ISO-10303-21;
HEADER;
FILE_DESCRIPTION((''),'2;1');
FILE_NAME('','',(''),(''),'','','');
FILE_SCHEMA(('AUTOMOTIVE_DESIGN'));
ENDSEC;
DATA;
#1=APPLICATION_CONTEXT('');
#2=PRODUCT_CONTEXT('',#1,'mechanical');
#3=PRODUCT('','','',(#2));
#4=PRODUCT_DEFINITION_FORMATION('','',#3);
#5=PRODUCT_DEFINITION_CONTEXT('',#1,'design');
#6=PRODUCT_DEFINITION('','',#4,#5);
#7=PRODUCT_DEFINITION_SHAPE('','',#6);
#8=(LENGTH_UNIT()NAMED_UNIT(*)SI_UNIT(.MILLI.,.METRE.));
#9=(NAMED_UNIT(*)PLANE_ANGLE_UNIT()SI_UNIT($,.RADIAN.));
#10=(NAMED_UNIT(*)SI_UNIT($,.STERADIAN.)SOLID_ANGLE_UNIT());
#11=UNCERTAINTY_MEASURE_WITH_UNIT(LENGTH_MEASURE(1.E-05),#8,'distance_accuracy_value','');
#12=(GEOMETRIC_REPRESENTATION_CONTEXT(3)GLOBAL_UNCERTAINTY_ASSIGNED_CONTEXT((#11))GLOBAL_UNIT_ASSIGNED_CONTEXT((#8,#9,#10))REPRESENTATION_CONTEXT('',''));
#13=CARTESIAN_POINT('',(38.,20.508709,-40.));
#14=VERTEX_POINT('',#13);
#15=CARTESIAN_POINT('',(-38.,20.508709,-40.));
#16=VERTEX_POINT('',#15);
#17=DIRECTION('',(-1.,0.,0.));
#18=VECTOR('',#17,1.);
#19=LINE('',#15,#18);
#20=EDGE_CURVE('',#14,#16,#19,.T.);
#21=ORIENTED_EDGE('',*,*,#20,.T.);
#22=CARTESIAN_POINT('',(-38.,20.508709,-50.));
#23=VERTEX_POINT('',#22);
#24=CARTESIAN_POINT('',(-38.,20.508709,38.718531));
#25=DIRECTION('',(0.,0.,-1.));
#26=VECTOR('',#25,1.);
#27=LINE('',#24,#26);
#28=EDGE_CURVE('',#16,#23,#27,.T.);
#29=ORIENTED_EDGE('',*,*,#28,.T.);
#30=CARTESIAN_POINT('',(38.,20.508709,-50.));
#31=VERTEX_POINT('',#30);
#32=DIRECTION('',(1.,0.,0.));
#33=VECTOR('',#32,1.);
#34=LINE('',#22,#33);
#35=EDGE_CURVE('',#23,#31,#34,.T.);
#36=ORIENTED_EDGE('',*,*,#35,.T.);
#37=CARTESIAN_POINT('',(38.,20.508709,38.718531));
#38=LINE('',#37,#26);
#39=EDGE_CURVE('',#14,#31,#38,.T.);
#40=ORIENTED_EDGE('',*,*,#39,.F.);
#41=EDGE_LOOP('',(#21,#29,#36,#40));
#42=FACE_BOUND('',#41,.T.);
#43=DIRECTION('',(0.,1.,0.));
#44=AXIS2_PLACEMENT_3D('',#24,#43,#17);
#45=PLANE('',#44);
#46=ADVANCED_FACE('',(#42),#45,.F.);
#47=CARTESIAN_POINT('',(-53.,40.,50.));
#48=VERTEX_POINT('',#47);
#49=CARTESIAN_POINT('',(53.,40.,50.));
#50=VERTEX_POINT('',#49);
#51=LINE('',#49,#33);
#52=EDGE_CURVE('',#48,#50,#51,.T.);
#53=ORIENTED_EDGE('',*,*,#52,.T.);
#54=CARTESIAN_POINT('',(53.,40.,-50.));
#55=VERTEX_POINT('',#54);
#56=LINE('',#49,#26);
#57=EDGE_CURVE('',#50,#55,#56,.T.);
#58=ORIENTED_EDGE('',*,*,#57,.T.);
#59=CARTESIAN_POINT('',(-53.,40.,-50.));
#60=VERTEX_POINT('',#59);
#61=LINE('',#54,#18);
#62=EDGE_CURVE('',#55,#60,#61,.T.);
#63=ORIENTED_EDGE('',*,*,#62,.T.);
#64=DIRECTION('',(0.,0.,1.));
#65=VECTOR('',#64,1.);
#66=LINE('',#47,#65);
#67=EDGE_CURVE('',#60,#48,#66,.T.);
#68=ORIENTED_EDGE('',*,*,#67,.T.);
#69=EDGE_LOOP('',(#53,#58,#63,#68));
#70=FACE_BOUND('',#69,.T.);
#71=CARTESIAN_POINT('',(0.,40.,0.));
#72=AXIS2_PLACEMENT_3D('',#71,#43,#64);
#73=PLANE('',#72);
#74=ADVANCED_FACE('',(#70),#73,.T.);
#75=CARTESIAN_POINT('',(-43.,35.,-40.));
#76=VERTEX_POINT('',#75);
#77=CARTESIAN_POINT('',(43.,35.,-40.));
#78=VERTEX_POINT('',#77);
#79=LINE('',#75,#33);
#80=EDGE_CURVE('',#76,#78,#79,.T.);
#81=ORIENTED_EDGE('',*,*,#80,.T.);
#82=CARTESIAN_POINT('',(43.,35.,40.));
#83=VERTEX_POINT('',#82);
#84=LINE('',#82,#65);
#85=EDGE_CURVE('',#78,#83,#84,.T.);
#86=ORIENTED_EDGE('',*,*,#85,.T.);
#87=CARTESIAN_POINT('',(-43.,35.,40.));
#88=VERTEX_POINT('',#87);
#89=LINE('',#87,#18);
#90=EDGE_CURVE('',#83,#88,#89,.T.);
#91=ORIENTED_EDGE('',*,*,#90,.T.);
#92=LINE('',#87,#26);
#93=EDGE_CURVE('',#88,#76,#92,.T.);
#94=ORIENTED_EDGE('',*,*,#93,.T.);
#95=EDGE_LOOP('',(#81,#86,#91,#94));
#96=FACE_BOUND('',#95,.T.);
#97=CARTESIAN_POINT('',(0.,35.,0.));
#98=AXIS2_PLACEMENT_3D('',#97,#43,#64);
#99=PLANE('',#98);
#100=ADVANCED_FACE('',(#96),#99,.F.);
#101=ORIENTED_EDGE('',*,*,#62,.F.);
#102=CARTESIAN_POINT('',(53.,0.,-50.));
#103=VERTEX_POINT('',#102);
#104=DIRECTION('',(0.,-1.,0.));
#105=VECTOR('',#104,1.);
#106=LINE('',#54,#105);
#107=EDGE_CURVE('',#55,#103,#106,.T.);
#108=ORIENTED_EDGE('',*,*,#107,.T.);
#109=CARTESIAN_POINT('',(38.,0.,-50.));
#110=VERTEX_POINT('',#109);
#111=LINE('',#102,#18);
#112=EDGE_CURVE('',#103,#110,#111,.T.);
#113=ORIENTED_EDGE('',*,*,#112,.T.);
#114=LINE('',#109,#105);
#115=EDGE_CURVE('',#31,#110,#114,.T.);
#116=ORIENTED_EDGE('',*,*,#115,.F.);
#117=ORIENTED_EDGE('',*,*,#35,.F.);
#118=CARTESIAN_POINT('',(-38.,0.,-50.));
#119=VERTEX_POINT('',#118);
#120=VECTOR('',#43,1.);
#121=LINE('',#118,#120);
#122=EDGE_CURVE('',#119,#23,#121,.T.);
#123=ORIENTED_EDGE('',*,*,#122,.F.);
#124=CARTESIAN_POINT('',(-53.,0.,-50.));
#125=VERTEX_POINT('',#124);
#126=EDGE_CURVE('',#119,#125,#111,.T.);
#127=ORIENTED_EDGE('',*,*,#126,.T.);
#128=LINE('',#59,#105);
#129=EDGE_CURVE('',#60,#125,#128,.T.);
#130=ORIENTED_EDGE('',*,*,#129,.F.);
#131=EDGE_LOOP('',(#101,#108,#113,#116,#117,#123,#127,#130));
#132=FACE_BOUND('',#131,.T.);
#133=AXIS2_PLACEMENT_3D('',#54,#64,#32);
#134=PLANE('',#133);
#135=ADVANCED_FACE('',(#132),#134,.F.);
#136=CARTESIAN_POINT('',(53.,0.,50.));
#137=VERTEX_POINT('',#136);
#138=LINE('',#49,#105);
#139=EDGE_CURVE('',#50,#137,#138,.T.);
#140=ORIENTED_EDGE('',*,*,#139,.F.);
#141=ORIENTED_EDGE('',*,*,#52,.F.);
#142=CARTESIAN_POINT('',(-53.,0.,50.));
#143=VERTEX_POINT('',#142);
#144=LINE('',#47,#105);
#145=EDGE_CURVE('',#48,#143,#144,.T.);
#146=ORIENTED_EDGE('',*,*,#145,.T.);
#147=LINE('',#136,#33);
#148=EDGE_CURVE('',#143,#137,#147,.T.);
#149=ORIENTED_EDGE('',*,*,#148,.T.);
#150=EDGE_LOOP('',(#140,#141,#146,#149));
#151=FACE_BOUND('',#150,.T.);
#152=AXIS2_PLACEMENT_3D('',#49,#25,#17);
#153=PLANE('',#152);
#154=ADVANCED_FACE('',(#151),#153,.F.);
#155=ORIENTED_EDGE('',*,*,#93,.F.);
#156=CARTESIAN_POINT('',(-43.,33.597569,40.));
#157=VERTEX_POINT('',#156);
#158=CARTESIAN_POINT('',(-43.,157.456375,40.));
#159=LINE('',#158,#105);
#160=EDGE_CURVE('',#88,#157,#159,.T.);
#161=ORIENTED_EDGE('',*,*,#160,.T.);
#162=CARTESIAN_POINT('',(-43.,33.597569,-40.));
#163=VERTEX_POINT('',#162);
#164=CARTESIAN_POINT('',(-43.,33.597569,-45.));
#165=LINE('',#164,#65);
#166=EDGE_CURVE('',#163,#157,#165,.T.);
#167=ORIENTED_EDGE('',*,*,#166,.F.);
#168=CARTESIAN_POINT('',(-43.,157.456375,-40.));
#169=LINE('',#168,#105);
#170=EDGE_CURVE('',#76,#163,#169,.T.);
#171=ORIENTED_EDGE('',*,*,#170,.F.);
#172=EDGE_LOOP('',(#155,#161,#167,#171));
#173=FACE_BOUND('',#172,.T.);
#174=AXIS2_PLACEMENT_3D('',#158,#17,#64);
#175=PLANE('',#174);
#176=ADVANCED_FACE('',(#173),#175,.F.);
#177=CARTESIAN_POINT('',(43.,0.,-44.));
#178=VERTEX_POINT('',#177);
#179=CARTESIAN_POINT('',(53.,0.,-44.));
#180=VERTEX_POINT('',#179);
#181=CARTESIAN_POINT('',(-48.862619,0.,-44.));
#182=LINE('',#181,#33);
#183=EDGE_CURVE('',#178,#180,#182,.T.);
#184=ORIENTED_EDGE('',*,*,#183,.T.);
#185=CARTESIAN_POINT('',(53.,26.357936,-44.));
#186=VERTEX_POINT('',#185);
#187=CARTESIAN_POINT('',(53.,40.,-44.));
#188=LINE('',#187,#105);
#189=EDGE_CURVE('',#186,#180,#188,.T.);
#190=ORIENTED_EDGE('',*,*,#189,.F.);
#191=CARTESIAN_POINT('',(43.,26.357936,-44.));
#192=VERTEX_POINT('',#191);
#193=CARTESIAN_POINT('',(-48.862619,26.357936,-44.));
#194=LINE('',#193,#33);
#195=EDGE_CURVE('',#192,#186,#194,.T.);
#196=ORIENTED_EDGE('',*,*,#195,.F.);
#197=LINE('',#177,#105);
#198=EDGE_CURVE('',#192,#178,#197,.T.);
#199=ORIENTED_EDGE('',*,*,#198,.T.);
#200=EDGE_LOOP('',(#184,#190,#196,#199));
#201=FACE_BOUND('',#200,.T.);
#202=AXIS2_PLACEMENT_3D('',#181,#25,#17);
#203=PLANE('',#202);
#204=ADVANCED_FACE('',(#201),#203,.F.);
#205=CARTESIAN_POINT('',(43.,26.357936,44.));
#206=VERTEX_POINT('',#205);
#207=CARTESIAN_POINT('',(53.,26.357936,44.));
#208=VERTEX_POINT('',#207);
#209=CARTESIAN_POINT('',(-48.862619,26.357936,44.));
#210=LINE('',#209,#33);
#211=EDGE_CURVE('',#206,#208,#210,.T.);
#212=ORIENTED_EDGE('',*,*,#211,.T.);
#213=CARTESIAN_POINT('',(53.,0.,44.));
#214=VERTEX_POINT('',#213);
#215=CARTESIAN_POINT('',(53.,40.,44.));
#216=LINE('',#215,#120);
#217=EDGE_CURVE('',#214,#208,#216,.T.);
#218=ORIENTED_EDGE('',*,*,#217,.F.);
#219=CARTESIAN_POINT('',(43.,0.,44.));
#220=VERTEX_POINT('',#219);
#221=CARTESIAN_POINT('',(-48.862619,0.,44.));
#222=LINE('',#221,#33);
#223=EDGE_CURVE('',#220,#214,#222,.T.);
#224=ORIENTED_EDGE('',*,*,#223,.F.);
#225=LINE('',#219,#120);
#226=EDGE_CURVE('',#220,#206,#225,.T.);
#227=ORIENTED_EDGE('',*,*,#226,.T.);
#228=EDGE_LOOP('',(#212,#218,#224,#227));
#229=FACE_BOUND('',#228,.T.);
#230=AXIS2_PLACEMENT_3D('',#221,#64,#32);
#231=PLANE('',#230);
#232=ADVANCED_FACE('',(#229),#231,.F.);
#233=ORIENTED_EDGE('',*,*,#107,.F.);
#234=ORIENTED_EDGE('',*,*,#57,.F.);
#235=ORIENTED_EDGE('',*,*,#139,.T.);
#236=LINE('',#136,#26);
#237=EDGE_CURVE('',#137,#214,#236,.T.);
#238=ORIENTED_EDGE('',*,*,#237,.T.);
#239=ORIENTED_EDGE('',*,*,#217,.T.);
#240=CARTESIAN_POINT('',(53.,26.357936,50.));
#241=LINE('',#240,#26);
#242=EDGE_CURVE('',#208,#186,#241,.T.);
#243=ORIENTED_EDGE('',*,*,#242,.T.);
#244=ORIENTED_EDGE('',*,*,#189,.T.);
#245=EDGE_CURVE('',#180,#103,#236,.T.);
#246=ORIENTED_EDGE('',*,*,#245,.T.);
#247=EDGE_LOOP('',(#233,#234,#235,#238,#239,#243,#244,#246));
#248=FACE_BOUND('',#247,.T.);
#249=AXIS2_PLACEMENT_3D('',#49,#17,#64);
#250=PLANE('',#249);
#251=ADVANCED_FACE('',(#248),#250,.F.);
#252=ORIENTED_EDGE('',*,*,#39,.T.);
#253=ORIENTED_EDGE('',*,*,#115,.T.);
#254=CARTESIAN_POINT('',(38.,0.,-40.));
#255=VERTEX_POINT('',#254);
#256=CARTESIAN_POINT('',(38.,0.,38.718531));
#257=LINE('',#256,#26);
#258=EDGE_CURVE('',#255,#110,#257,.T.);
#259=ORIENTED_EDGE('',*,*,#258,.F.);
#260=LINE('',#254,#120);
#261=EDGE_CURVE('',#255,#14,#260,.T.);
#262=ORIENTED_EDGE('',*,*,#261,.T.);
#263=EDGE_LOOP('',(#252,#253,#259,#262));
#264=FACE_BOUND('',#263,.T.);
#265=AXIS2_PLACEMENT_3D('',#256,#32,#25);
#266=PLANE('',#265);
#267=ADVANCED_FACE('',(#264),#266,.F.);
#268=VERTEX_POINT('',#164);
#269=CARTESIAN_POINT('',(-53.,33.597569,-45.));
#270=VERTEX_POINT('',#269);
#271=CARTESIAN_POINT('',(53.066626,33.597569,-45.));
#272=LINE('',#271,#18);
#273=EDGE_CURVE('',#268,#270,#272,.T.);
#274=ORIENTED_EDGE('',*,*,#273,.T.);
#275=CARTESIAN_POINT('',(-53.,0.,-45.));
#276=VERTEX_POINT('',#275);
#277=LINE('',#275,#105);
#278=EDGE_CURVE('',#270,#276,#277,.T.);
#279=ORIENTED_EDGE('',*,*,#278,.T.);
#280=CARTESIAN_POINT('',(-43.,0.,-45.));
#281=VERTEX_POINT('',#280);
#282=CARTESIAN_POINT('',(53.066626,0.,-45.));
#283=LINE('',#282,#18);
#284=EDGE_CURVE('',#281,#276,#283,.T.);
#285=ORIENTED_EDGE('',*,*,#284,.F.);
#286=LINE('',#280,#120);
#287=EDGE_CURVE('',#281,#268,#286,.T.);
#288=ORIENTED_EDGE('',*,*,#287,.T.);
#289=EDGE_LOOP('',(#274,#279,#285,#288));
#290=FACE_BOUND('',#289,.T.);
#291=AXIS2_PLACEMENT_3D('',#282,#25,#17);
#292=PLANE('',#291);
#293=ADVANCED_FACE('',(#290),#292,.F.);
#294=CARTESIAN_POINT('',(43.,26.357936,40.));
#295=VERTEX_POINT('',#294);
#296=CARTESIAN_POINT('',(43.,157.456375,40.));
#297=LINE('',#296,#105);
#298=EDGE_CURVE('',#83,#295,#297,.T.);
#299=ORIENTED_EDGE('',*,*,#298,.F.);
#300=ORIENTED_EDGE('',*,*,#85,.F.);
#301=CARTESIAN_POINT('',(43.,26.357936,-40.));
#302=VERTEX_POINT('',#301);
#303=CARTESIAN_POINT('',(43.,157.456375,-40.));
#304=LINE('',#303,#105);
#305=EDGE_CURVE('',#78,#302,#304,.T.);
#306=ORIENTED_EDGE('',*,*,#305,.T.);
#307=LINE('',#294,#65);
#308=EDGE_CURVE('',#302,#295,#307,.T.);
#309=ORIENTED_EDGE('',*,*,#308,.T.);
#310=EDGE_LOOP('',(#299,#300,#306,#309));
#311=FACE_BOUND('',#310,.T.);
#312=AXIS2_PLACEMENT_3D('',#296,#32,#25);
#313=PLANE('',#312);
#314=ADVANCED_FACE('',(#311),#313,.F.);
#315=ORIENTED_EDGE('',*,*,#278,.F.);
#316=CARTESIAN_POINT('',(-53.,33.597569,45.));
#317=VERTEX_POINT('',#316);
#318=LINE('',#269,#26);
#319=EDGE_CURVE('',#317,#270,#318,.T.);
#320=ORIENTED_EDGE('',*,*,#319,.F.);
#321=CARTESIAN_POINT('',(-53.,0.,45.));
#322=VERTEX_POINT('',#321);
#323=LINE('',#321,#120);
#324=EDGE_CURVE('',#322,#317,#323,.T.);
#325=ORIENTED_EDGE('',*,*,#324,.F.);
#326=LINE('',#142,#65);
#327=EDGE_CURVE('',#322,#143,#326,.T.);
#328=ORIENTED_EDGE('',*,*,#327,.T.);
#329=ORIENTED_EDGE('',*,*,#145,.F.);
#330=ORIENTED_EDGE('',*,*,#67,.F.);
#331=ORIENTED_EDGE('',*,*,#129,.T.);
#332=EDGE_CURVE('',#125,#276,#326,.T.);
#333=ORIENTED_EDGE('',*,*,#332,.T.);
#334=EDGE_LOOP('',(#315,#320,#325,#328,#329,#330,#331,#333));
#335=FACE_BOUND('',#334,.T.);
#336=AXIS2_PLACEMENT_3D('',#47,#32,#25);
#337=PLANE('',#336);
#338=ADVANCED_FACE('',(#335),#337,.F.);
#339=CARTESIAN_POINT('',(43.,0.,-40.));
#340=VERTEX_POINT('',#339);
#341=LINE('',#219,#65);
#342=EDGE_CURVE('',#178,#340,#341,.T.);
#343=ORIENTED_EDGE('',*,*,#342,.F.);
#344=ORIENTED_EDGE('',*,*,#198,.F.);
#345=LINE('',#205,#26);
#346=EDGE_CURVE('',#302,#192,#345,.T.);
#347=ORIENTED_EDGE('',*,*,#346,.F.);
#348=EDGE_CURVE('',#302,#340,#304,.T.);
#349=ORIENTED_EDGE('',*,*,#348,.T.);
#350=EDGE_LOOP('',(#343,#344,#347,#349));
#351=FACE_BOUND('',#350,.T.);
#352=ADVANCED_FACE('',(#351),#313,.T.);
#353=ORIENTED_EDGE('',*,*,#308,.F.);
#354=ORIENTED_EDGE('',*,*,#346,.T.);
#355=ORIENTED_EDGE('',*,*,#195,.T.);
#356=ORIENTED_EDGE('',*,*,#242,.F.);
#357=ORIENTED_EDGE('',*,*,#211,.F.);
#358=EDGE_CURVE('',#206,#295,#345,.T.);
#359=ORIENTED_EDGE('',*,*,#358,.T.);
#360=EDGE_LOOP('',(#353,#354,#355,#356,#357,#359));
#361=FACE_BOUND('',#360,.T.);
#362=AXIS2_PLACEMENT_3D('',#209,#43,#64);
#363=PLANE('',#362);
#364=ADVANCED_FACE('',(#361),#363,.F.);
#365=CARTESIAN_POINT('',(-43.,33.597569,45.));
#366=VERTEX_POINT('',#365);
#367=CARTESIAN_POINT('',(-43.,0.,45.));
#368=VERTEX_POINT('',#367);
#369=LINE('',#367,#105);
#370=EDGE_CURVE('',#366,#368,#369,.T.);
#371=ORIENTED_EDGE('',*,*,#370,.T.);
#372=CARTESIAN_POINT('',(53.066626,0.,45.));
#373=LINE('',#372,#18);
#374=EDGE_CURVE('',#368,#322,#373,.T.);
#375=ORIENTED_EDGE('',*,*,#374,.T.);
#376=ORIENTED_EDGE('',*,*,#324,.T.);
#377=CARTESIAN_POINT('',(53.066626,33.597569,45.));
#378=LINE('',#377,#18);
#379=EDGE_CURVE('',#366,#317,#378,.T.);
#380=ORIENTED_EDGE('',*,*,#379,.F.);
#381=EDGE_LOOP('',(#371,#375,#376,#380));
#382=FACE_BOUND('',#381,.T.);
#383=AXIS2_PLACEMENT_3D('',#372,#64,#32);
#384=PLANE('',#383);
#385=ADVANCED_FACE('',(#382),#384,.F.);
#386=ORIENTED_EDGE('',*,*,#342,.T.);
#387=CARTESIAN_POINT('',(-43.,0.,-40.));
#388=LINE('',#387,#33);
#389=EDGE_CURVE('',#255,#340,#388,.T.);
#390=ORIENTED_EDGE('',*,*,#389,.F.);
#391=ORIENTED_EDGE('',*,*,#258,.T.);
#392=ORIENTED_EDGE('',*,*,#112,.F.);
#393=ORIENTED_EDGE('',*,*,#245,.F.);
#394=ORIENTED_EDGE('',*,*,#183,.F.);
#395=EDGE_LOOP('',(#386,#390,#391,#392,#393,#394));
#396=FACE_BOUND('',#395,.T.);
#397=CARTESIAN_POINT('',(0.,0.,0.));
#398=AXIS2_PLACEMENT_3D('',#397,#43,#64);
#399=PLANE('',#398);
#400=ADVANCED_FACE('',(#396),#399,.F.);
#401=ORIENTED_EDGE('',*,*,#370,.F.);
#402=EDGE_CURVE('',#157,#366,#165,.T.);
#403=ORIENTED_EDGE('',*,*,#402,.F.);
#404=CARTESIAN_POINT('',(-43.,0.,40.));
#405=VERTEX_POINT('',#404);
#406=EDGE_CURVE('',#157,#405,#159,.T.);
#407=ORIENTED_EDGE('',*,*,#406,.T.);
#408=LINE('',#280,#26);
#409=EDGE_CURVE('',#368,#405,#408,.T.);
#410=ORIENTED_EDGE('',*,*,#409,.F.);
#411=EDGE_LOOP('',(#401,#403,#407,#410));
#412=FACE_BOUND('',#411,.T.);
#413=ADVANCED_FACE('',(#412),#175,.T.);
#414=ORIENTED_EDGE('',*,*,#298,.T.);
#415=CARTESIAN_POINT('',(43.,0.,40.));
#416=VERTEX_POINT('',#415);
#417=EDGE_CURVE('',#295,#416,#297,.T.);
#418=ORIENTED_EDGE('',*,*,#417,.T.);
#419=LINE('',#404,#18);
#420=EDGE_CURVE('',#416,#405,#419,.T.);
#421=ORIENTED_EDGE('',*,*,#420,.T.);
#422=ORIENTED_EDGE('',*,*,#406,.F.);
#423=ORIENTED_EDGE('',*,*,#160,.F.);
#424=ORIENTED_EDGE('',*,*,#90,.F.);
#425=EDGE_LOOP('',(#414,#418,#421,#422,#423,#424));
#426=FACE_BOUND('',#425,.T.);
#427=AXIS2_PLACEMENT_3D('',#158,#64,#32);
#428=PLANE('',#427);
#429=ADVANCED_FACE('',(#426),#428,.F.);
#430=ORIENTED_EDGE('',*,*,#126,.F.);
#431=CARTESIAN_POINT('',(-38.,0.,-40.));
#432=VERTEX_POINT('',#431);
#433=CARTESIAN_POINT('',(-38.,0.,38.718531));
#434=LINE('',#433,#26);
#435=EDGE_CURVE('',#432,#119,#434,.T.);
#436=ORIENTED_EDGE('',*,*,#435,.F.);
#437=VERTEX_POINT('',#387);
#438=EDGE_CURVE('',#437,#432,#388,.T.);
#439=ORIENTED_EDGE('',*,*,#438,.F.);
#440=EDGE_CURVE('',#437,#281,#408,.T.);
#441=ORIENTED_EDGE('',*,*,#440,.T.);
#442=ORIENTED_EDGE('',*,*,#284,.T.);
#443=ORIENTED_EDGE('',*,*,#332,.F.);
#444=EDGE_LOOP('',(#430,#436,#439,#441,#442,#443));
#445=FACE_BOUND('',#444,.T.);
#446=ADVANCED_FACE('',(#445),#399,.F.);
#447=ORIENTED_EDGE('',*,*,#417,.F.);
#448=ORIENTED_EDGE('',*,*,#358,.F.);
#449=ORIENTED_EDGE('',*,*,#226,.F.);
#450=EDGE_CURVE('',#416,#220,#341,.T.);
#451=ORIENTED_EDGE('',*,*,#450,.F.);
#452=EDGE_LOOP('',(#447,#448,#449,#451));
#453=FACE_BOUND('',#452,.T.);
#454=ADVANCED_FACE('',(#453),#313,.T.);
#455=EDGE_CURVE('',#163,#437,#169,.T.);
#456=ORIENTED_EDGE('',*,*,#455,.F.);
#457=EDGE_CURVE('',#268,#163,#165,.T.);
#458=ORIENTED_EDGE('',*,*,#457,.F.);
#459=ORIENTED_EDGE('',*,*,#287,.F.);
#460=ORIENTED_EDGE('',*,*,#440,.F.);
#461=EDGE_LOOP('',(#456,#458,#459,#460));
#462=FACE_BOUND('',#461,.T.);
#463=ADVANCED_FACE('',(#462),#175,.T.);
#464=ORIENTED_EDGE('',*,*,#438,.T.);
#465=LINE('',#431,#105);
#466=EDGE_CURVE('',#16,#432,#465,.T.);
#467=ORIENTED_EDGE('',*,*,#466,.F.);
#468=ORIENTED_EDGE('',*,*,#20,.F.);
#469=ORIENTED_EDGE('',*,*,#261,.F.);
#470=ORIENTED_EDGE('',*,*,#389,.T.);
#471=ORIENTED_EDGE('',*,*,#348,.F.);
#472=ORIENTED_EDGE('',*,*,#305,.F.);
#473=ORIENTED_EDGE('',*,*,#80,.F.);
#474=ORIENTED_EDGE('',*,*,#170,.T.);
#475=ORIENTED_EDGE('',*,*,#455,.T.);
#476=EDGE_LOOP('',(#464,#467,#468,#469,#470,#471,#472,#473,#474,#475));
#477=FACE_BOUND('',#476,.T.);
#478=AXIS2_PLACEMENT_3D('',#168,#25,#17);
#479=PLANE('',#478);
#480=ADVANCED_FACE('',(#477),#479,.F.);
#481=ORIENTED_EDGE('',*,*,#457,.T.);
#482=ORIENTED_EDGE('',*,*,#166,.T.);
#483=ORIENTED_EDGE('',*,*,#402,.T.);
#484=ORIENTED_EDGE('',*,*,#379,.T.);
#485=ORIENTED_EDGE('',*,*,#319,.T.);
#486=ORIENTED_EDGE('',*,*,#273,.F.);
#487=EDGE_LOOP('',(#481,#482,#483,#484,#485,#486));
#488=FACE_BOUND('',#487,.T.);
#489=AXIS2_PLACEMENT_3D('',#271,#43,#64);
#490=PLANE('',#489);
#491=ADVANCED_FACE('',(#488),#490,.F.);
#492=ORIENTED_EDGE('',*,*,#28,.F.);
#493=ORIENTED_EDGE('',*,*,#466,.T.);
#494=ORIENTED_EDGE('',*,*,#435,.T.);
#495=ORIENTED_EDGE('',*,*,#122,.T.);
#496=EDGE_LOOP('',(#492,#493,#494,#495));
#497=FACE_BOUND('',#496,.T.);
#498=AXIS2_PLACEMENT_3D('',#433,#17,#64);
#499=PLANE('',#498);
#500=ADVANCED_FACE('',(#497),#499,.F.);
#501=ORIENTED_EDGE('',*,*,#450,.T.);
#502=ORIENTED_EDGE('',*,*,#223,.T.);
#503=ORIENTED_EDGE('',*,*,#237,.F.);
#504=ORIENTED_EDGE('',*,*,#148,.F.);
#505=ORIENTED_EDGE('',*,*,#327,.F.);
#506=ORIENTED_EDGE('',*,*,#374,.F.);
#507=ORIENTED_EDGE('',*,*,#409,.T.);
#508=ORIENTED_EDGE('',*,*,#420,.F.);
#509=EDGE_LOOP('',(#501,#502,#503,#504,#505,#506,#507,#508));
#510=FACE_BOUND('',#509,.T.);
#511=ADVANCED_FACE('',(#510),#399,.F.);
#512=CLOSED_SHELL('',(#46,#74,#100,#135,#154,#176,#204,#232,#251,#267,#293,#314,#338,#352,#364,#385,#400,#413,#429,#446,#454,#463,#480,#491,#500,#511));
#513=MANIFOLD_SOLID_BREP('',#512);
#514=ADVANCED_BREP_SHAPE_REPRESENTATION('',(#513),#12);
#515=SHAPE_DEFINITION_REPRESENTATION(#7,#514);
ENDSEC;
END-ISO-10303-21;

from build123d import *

# Parameters (mm, degrees)
SKETCH1_W               = 106
SKETCH1_H               = 100
BOSS_EXTRUDE1_DEPTH     = 40
SKETCH2_W               = 86
SKETCH2_H               = 80
CUT_EXTRUDE1_DEPTH      = 35
CUT_EXTRUDE2_DEPTH      = 124.838604643
CUT_EXTRUDE2_DEPTH_BACK = 10
SKETCH3_W               = 88
SKETCH3_H               = 26.357936409
SKETCH4_W               = 90
SKETCH4_H               = 33.597569481
CUT_EXTRUDE3_DEPTH      = 10
SKETCH5_W               = 76
SKETCH5_H               = 20.50870907
CUT_EXTRUDE4_DEPTH      = 10


with BuildPart() as part:
    # Sketch1 → Boss-Extrude1 (new body)
    with BuildSketch(Plane(origin=(0, 0, 0), x_dir=(1, 0, 0), z_dir=(0, 1, 0))):
        Rectangle(SKETCH1_W, SKETCH1_H)
    extrude(amount=BOSS_EXTRUDE1_DEPTH)

    # Sketch2 → Cut-Extrude1 (cut)
    with BuildSketch(Plane.XZ):
        Rectangle(SKETCH2_W, SKETCH2_H)
    extrude(amount=-CUT_EXTRUDE1_DEPTH, mode=Mode.SUBTRACT)

    # Sketch3 → Cut-Extrude2 (cut, two sides: drawn at the far end of the back side and taken through both)
    with BuildSketch(Plane(origin=(53, 0, 0), x_dir=(0, 0, -1), z_dir=(1, 0, 0)).offset(-CUT_EXTRUDE2_DEPTH_BACK)):
        with Locations((0, 13.178968205)):
            Rectangle(SKETCH3_W, SKETCH3_H)
    extrude(amount=CUT_EXTRUDE2_DEPTH + CUT_EXTRUDE2_DEPTH_BACK, mode=Mode.SUBTRACT)

    # Sketch4 → Cut-Extrude3 (cut)
    with BuildSketch(Plane.ZY.offset(53)):
        with Locations((0, 16.798784741)):
            Rectangle(SKETCH4_W, SKETCH4_H)
    extrude(amount=-CUT_EXTRUDE3_DEPTH, mode=Mode.SUBTRACT)

    # Sketch5 → Cut-Extrude4 (cut)
    with BuildSketch(Plane(origin=(0, 0, -50), x_dir=(-1, 0, 0), z_dir=(0, 0, -1))):
        with Locations((0, 10.254354535)):
            Rectangle(SKETCH5_W, SKETCH5_H)
    extrude(amount=-CUT_EXTRUDE4_DEPTH, mode=Mode.SUBTRACT)


solid = part.part
